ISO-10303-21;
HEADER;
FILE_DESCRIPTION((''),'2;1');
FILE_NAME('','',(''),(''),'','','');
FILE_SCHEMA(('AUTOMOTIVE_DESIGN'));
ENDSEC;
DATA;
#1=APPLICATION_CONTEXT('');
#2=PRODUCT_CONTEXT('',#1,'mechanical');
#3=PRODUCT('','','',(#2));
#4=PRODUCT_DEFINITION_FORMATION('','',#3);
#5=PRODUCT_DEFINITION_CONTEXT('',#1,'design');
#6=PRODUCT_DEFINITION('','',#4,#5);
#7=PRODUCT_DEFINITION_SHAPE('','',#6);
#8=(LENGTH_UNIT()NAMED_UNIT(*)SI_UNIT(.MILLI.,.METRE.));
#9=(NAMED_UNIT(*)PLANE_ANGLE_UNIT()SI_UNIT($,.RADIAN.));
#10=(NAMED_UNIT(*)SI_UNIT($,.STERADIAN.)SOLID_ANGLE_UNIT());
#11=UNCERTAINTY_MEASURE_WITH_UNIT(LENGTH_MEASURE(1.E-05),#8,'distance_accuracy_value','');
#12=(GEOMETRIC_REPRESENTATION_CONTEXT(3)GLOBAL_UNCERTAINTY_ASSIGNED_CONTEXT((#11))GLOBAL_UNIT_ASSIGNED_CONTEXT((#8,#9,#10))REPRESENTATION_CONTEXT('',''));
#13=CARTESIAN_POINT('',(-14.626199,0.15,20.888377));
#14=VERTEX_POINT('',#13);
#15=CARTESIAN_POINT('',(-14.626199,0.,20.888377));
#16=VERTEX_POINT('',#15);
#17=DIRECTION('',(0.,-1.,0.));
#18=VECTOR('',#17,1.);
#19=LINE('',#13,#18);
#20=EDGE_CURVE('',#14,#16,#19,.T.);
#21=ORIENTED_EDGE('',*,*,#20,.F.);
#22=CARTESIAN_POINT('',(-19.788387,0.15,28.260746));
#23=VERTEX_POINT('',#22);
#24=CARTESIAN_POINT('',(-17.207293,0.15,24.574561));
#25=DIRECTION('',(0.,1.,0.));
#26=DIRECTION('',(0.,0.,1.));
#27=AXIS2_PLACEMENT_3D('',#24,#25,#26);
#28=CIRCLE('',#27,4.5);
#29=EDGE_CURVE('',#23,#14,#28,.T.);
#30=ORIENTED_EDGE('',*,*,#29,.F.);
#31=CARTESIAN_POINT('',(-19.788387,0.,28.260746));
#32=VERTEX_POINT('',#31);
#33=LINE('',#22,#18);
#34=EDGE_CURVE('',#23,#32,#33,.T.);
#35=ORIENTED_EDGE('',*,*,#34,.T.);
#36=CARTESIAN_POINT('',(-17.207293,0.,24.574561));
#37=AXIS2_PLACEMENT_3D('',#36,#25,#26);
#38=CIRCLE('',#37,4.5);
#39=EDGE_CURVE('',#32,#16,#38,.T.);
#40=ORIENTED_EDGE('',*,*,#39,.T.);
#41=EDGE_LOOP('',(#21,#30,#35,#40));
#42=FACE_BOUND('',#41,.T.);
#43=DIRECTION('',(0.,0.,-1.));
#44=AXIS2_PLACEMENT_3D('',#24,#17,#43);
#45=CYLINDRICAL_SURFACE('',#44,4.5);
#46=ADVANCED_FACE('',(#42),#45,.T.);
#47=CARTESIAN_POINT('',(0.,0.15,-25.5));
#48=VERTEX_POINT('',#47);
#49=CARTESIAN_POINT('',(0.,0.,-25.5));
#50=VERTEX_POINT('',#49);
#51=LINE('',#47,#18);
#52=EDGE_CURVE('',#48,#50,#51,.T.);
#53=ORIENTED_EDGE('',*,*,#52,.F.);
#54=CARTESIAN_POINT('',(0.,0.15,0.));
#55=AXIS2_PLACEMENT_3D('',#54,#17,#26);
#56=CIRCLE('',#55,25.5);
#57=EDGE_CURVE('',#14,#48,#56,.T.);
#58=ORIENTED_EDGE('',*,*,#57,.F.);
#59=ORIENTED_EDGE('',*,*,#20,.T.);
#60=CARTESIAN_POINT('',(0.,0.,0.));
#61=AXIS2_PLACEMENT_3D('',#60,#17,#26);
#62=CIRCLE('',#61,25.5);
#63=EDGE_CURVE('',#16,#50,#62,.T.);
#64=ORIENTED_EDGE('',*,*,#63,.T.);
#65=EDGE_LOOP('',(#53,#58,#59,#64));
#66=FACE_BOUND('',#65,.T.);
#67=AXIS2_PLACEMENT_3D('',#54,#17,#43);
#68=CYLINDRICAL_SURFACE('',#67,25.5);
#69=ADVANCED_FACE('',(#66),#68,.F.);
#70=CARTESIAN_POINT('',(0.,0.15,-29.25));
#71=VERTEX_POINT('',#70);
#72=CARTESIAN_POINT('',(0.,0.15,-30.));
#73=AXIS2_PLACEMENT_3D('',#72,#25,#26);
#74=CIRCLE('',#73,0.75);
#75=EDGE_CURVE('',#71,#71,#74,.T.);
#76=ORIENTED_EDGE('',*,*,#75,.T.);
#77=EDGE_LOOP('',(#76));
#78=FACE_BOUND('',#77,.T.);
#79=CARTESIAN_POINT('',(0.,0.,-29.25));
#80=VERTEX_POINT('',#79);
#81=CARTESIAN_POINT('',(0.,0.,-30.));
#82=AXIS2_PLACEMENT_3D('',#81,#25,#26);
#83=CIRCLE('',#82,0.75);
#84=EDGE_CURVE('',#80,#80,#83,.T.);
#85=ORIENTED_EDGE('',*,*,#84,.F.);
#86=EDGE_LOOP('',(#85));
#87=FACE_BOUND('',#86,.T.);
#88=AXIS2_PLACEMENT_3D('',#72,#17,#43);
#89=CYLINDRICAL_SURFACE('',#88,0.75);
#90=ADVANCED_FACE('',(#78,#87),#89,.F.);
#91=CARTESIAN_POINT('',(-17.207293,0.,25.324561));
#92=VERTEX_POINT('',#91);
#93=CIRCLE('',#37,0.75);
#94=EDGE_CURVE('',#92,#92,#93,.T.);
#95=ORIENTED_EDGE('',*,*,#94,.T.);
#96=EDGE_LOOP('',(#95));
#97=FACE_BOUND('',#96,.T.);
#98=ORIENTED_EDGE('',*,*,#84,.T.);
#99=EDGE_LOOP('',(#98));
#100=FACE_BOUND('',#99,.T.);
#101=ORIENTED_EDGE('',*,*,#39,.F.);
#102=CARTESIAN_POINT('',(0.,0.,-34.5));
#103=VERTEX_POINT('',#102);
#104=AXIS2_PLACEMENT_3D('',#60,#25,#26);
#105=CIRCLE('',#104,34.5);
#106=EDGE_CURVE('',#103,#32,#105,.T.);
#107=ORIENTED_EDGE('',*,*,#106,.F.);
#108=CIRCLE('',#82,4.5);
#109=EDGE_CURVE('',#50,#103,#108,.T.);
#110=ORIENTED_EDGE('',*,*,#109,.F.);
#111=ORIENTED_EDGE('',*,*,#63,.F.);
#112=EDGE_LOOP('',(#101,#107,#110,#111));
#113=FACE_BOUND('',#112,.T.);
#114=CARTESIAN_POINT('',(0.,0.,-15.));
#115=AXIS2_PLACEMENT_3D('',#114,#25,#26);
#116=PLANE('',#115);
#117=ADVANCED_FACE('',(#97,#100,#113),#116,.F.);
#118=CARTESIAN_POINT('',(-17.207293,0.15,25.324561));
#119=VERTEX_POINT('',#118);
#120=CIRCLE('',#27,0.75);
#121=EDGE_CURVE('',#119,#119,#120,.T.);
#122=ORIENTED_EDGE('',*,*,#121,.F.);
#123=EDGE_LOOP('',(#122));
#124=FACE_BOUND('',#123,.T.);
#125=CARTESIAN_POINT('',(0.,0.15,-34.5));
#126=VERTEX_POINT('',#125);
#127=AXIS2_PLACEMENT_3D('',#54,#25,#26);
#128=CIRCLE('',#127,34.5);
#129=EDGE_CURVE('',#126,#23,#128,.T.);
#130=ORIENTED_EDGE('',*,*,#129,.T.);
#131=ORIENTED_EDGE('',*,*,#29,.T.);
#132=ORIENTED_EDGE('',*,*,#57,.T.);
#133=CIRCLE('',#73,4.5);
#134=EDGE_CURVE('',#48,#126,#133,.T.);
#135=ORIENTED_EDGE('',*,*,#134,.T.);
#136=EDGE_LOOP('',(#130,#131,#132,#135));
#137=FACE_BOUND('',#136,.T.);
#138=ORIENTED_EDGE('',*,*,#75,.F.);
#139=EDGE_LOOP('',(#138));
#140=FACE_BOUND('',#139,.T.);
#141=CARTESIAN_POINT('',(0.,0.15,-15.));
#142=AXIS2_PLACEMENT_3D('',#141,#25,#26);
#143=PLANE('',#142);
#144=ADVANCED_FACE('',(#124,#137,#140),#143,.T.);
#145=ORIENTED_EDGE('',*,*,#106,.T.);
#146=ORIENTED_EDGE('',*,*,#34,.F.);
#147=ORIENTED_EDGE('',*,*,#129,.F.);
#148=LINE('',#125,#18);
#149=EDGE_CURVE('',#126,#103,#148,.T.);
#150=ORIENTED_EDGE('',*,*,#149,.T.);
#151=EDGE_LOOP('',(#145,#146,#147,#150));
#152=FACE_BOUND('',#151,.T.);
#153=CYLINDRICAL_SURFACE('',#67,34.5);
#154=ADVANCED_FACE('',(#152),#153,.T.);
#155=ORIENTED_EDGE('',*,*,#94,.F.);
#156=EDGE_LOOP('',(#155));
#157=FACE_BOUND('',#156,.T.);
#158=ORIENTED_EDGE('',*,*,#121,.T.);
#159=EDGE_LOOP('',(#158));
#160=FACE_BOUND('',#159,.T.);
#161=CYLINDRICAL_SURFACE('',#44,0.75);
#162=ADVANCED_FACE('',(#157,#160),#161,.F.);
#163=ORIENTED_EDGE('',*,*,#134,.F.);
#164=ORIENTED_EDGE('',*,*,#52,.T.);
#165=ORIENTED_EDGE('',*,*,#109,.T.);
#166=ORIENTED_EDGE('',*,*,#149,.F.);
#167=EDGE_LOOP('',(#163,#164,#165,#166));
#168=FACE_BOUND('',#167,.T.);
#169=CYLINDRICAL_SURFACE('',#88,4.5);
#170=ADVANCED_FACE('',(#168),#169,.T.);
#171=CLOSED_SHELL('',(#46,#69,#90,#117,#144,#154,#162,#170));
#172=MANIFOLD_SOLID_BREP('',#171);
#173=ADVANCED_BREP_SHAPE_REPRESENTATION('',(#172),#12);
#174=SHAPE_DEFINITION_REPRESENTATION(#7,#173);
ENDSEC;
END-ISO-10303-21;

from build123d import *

# Parameters (mm, degrees)
SKETCH1_R           = 0.75
BOSS_EXTRUDE1_DEPTH = 0.15


with BuildPart() as part:
    # Sketch1 → Boss-Extrude1 (new body)
    with BuildSketch(Plane(origin=(0, 0, 0), x_dir=(1, 0, 0), z_dir=(0, 1, 0))):
        with BuildLine():
            ThreePointArc((0, 34.5), (-32.903234801, 10.374350083), (-19.788387054, -28.260745528))
            ThreePointArc((-19.788387054, -28.260745528), (-13.521108891, -27.155655292), (-14.626199127, -20.888377129))
            ThreePointArc((-14.626199127, -20.888377129), (-24.319782244, 7.667997887), (0, 25.5))
            ThreePointArc((0, 25.5), (4.5, 30), (0, 34.5))
        make_face()
        with Locations(Location((0, 30, 0), (0, 0, 270))):
            Circle(SKETCH1_R, mode=Mode.SUBTRACT)
        with Locations(Location((-17.207293091, -24.574561329, 0), (0, 0, 270))):
            Circle(SKETCH1_R, mode=Mode.SUBTRACT)
    extrude(amount=BOSS_EXTRUDE1_DEPTH)


solid = part.part
